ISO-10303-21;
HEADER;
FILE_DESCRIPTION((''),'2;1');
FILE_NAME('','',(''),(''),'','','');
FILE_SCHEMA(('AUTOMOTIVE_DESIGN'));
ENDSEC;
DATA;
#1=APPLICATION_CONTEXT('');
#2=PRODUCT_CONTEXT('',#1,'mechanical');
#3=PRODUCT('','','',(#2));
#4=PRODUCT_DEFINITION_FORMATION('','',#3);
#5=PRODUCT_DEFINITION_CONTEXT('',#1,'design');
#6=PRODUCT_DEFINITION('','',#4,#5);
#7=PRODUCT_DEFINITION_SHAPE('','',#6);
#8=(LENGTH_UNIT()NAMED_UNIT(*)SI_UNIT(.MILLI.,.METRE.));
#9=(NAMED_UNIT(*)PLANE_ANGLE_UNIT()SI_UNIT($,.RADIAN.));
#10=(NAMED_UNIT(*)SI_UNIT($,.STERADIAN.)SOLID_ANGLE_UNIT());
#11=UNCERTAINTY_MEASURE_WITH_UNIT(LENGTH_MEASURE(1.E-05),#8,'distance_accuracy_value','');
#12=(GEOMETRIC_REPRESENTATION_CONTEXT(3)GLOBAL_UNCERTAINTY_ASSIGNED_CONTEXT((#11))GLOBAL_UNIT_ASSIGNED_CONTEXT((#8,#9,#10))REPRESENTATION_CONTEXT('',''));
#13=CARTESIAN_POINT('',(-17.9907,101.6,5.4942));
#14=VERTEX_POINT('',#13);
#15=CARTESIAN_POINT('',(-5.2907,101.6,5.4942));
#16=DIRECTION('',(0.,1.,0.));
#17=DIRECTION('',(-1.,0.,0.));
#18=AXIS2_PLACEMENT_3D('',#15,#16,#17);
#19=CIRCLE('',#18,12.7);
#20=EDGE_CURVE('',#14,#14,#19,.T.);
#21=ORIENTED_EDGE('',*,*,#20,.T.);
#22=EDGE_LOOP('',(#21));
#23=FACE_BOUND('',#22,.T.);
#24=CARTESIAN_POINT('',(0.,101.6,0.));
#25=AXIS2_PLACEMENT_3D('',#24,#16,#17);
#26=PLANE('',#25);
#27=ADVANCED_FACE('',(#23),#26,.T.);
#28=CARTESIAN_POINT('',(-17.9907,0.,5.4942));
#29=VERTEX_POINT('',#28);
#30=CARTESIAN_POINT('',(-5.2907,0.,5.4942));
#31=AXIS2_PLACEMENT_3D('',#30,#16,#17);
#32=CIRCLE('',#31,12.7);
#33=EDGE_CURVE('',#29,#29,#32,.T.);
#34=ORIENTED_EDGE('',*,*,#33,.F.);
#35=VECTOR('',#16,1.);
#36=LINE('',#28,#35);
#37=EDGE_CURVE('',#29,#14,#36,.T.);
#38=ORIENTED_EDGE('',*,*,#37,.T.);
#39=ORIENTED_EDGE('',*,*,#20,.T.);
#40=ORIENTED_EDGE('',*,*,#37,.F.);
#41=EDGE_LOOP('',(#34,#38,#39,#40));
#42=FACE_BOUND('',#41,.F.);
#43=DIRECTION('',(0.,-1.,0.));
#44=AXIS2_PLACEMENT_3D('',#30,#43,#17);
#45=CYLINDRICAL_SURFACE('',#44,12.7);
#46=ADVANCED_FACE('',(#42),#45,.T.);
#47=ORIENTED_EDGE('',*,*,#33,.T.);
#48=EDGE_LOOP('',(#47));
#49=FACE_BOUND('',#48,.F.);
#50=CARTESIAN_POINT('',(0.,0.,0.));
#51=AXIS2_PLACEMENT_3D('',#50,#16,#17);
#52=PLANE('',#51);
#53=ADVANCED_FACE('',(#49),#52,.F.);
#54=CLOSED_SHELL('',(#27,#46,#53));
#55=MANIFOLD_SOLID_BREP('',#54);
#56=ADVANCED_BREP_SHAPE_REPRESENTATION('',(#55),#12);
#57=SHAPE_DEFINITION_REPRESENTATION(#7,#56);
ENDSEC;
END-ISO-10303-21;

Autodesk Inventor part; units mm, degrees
ref_plane "YZ Plane" through (0, 0, 0) normal (1, 0, 0) x (0, 1, 0)
ref_plane "XZ Plane" through (0, 0, 0) normal (0, 1, 0) x (-1, 0, 0)
ref_plane "XY Plane" through (0, 0, 0) normal (0, 0, 1) x (1, 0, 0)
sketch "Sketch1" plane through (0, 0, 0) normal (0, 1, 0) x (-1, 0, 0)
  circle A0 centre (5.2907, 5.4942) radius 12.7
  point P0 (0, 0)
  dimension "d0" = 25.4
  dimension "d0" = 25.4
extrude "Extrusion1" add sketch "Sketch1" along normal blind 101.6
properties part number "peg"
